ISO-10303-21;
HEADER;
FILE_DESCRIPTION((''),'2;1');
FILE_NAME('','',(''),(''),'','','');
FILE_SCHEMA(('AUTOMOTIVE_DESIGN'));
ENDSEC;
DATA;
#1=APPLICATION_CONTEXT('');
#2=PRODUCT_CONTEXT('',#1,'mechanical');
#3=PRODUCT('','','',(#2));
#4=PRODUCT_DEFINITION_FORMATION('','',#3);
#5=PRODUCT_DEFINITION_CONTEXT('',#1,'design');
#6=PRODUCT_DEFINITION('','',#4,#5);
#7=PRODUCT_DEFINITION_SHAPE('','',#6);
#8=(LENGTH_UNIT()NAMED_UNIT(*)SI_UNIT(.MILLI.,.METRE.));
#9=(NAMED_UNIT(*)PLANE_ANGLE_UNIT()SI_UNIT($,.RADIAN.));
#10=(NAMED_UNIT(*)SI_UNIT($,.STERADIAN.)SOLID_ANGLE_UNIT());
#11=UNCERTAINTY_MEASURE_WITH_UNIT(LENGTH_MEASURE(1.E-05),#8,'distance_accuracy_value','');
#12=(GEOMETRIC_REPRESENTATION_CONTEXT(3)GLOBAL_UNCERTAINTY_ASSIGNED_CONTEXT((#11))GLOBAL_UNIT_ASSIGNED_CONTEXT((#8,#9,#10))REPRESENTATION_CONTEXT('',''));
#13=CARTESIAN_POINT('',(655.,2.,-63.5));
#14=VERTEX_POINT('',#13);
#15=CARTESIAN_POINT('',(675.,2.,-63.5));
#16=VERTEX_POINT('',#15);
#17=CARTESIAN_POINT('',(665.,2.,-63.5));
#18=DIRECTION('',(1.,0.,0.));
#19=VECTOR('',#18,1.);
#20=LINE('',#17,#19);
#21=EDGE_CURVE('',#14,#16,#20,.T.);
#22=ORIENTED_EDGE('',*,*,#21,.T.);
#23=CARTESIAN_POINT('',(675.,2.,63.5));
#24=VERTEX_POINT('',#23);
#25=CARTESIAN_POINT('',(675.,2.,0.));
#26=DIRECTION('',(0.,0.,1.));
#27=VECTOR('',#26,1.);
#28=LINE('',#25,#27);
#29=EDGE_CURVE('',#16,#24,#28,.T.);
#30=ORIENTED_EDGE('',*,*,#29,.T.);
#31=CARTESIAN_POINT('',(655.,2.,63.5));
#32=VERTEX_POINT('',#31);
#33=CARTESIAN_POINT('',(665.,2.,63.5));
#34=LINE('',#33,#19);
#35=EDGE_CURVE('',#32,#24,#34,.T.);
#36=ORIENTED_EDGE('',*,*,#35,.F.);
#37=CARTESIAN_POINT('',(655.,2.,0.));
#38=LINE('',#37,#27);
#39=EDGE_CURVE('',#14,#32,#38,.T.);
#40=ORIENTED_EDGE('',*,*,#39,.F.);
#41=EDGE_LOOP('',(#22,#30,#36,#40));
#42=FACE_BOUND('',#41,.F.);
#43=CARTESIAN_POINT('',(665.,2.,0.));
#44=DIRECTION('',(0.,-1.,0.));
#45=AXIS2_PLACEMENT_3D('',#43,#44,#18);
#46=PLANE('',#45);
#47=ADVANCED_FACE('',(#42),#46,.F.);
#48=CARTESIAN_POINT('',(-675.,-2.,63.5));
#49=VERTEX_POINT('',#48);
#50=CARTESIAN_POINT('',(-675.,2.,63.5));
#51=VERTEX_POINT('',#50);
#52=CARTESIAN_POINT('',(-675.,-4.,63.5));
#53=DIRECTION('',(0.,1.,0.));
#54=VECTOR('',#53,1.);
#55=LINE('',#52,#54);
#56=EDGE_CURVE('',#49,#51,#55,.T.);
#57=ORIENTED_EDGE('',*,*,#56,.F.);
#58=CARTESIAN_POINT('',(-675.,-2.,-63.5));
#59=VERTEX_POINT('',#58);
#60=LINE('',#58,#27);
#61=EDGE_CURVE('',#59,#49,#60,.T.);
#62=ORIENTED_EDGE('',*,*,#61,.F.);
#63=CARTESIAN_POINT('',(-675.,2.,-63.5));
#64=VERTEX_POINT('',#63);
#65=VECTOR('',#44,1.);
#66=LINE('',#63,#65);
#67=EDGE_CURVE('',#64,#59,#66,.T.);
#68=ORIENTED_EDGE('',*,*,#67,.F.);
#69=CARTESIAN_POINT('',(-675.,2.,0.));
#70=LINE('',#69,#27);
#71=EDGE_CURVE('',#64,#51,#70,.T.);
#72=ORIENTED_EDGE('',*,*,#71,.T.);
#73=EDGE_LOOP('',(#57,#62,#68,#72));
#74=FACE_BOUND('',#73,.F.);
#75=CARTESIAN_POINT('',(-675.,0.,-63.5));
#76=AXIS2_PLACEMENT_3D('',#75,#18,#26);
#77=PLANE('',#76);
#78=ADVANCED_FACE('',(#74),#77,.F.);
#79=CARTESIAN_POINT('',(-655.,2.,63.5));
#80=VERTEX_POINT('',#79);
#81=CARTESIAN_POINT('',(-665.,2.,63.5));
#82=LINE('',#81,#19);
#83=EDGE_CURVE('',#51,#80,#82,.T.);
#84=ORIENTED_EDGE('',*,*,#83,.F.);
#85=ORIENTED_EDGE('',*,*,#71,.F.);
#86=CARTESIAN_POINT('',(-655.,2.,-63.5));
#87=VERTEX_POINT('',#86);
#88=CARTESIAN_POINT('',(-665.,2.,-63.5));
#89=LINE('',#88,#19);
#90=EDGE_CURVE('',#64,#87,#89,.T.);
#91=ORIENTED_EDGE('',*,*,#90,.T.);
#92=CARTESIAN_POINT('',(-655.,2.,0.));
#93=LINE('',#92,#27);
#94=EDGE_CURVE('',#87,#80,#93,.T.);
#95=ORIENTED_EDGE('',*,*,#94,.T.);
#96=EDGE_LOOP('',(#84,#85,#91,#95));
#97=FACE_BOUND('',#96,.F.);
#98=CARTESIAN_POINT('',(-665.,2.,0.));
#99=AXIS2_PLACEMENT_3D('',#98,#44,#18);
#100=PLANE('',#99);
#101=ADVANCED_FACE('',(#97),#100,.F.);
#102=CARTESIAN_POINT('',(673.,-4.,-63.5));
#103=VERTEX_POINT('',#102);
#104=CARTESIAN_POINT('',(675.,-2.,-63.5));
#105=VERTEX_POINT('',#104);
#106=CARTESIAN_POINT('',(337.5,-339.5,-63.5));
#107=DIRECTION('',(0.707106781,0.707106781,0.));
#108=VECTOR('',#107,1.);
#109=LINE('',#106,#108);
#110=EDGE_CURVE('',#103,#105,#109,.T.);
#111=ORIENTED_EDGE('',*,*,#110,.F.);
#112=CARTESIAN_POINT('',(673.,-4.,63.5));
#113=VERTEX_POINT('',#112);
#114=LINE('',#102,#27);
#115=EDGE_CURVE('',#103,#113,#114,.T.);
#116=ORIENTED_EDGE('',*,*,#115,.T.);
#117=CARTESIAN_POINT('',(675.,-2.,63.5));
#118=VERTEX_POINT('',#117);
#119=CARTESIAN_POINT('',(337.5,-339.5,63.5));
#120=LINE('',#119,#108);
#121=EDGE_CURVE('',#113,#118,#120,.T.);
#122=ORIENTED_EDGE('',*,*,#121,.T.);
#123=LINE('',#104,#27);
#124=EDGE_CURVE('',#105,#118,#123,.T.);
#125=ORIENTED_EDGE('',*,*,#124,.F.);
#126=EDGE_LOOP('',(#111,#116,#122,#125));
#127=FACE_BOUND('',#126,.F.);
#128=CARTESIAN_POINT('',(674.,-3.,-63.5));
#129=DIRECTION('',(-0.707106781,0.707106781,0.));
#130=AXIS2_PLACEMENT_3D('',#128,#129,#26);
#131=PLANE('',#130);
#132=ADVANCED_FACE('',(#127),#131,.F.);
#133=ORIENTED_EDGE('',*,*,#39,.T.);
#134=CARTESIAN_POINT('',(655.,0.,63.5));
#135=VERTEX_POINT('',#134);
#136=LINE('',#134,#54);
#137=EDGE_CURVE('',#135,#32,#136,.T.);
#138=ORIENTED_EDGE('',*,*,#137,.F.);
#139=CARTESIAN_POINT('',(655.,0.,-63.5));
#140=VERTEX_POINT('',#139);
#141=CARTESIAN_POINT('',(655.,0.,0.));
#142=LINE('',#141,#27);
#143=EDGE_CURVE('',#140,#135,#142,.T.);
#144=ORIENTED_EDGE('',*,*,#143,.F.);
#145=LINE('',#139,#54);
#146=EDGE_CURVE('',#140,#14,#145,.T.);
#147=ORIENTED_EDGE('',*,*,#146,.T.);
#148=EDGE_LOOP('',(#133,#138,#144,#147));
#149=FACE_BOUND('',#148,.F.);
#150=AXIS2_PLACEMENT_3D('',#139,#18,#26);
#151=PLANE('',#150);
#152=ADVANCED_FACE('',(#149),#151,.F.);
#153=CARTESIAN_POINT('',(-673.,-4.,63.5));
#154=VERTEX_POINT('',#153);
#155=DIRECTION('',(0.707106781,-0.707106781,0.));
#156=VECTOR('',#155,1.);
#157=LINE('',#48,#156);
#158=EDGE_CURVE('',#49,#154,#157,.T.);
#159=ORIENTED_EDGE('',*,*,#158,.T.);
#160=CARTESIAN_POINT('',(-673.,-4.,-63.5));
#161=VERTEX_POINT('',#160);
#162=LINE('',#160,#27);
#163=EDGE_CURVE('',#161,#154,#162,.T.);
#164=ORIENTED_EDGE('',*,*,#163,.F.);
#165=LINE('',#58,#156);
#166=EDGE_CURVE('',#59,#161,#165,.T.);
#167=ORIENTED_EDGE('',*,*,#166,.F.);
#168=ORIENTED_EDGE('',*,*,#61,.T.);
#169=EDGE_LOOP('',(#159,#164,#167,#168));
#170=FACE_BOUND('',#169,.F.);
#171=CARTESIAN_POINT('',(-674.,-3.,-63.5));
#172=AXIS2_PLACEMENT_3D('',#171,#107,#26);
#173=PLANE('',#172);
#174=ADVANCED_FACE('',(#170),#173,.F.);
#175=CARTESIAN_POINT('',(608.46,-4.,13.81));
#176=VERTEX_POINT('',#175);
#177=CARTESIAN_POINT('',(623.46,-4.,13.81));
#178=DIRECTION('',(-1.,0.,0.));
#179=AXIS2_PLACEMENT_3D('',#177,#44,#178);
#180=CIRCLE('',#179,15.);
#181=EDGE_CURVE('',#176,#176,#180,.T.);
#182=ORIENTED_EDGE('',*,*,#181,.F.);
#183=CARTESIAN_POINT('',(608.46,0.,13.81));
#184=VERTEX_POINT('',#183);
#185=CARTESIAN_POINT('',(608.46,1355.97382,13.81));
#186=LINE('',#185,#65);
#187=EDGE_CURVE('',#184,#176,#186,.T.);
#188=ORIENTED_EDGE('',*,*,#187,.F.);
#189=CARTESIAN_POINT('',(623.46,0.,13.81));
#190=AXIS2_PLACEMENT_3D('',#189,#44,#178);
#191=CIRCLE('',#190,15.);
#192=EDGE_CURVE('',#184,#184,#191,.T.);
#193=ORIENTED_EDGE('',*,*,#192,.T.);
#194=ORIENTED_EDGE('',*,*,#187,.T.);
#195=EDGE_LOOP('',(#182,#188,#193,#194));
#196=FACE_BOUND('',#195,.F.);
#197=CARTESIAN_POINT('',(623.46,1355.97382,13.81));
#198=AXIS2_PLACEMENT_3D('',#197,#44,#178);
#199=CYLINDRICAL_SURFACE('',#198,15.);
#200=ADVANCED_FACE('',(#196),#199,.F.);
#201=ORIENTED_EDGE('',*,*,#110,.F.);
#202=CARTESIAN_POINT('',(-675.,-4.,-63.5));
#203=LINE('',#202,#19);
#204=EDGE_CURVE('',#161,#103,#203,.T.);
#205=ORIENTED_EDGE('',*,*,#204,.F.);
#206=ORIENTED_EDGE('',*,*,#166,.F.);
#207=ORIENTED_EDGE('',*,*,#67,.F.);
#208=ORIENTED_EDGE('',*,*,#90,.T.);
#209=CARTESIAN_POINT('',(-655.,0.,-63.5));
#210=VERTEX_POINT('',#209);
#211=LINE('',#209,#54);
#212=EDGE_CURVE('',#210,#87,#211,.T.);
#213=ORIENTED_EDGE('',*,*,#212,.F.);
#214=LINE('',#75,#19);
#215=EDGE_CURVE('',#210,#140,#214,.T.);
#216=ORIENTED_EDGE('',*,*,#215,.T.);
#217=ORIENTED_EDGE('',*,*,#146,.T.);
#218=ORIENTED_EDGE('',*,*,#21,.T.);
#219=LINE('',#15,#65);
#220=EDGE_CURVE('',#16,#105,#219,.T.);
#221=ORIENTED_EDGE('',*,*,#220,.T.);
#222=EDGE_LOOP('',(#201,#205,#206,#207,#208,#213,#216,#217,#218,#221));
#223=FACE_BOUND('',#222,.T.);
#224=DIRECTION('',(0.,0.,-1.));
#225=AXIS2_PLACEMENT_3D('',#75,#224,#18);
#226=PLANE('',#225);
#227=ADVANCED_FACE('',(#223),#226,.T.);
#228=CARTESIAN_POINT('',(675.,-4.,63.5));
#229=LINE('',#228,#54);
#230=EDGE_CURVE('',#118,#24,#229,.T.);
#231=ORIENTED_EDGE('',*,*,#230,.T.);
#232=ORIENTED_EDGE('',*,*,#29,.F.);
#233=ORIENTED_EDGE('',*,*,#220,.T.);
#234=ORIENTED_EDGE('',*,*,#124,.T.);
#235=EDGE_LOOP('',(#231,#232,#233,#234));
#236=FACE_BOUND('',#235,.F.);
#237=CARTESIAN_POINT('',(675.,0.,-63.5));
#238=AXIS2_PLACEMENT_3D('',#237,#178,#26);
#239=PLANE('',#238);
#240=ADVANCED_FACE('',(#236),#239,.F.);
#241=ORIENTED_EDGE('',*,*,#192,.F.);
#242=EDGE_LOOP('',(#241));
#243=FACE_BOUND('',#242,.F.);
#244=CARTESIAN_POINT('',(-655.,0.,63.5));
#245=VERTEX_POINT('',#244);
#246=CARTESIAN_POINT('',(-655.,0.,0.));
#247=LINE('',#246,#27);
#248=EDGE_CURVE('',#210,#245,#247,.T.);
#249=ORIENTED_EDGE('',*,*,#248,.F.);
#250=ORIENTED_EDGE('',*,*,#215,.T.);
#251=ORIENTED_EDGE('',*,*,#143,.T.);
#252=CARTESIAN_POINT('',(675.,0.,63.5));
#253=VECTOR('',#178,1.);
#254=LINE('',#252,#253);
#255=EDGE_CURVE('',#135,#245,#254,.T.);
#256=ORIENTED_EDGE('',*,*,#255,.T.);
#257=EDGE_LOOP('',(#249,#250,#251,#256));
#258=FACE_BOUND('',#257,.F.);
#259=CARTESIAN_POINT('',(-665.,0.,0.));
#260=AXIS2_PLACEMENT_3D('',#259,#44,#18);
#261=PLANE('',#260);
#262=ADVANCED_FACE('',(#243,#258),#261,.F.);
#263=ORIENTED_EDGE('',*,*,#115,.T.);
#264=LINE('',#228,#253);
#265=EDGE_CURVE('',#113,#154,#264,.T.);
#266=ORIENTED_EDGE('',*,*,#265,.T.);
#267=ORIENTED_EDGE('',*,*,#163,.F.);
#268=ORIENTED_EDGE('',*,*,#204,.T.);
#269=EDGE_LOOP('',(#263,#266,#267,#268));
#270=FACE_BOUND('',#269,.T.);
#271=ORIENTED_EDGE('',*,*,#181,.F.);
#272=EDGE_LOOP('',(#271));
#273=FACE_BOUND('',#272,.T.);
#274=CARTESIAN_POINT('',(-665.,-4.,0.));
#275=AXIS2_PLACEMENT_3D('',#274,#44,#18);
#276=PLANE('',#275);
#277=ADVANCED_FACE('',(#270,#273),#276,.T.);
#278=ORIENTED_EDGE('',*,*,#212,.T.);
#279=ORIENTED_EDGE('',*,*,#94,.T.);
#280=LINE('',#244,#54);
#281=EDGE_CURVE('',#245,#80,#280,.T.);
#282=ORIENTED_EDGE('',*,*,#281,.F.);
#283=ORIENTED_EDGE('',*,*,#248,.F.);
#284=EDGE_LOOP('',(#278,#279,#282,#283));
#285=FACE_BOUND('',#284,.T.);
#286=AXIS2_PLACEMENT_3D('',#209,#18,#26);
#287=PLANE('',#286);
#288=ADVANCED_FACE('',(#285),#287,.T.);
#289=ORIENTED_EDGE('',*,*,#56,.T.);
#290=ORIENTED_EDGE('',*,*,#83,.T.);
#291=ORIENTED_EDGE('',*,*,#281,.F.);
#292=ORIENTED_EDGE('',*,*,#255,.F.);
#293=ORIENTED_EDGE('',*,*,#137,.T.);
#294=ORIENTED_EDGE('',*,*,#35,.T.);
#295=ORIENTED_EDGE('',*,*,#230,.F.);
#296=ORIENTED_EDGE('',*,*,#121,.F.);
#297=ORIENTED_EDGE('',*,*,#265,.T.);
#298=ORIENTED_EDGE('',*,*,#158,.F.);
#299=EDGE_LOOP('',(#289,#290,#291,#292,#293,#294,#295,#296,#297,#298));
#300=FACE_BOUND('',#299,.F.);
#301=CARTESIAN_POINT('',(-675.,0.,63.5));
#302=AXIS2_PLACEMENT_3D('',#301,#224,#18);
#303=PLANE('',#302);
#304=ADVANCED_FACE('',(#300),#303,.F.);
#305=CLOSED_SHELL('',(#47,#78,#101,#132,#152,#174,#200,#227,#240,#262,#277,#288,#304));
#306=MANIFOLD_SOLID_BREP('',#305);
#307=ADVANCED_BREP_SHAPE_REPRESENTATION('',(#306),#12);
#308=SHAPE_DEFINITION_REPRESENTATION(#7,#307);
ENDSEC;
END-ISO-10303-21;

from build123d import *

# Parameters (mm, degrees)
F0_W     = 20
F0_H     = 127
F0_W_2   = 1310
F1_DEPTH = 4
F2_DEPTH = 2
F3_D     = 30
F4_SIZE  = 2


with BuildPart() as f1:
    # F0 (on Front) → F1 (new body)
    with BuildSketch(Plane.XZ):
        with Locations((-665, 0)):
            Rectangle(F0_W, F0_H)
        Rectangle(F0_W_2, F0_H)
        with Locations((665, 0)):
            Rectangle(F0_W, F0_H)
    extrude(amount=F1_DEPTH)

    # F0 (on Front) → F2 (join)
    with BuildSketch(Plane.XZ):
        with Locations((-665, 0)):
            Rectangle(F0_W, F0_H)
        with Locations((665, 0)):
            Rectangle(F0_W, F0_H)
    extrude(amount=-F2_DEPTH)

    # F3 (through all)
    with Locations(Plane(origin=(0, 0, 0), x_dir=(1, 0, 0), z_dir=(0, 1, 0))):
        with Locations((623.46, -13.81)):
            Hole(F3_D / 2)

    # F4
    f4_edges = [f1.edges().sort_by_distance(p)[0] for p in [
        (675, -4, 0),
        (-675, -4, 0),
    ]]
    chamfer(f4_edges, length=F4_SIZE)


solid = f1.part
